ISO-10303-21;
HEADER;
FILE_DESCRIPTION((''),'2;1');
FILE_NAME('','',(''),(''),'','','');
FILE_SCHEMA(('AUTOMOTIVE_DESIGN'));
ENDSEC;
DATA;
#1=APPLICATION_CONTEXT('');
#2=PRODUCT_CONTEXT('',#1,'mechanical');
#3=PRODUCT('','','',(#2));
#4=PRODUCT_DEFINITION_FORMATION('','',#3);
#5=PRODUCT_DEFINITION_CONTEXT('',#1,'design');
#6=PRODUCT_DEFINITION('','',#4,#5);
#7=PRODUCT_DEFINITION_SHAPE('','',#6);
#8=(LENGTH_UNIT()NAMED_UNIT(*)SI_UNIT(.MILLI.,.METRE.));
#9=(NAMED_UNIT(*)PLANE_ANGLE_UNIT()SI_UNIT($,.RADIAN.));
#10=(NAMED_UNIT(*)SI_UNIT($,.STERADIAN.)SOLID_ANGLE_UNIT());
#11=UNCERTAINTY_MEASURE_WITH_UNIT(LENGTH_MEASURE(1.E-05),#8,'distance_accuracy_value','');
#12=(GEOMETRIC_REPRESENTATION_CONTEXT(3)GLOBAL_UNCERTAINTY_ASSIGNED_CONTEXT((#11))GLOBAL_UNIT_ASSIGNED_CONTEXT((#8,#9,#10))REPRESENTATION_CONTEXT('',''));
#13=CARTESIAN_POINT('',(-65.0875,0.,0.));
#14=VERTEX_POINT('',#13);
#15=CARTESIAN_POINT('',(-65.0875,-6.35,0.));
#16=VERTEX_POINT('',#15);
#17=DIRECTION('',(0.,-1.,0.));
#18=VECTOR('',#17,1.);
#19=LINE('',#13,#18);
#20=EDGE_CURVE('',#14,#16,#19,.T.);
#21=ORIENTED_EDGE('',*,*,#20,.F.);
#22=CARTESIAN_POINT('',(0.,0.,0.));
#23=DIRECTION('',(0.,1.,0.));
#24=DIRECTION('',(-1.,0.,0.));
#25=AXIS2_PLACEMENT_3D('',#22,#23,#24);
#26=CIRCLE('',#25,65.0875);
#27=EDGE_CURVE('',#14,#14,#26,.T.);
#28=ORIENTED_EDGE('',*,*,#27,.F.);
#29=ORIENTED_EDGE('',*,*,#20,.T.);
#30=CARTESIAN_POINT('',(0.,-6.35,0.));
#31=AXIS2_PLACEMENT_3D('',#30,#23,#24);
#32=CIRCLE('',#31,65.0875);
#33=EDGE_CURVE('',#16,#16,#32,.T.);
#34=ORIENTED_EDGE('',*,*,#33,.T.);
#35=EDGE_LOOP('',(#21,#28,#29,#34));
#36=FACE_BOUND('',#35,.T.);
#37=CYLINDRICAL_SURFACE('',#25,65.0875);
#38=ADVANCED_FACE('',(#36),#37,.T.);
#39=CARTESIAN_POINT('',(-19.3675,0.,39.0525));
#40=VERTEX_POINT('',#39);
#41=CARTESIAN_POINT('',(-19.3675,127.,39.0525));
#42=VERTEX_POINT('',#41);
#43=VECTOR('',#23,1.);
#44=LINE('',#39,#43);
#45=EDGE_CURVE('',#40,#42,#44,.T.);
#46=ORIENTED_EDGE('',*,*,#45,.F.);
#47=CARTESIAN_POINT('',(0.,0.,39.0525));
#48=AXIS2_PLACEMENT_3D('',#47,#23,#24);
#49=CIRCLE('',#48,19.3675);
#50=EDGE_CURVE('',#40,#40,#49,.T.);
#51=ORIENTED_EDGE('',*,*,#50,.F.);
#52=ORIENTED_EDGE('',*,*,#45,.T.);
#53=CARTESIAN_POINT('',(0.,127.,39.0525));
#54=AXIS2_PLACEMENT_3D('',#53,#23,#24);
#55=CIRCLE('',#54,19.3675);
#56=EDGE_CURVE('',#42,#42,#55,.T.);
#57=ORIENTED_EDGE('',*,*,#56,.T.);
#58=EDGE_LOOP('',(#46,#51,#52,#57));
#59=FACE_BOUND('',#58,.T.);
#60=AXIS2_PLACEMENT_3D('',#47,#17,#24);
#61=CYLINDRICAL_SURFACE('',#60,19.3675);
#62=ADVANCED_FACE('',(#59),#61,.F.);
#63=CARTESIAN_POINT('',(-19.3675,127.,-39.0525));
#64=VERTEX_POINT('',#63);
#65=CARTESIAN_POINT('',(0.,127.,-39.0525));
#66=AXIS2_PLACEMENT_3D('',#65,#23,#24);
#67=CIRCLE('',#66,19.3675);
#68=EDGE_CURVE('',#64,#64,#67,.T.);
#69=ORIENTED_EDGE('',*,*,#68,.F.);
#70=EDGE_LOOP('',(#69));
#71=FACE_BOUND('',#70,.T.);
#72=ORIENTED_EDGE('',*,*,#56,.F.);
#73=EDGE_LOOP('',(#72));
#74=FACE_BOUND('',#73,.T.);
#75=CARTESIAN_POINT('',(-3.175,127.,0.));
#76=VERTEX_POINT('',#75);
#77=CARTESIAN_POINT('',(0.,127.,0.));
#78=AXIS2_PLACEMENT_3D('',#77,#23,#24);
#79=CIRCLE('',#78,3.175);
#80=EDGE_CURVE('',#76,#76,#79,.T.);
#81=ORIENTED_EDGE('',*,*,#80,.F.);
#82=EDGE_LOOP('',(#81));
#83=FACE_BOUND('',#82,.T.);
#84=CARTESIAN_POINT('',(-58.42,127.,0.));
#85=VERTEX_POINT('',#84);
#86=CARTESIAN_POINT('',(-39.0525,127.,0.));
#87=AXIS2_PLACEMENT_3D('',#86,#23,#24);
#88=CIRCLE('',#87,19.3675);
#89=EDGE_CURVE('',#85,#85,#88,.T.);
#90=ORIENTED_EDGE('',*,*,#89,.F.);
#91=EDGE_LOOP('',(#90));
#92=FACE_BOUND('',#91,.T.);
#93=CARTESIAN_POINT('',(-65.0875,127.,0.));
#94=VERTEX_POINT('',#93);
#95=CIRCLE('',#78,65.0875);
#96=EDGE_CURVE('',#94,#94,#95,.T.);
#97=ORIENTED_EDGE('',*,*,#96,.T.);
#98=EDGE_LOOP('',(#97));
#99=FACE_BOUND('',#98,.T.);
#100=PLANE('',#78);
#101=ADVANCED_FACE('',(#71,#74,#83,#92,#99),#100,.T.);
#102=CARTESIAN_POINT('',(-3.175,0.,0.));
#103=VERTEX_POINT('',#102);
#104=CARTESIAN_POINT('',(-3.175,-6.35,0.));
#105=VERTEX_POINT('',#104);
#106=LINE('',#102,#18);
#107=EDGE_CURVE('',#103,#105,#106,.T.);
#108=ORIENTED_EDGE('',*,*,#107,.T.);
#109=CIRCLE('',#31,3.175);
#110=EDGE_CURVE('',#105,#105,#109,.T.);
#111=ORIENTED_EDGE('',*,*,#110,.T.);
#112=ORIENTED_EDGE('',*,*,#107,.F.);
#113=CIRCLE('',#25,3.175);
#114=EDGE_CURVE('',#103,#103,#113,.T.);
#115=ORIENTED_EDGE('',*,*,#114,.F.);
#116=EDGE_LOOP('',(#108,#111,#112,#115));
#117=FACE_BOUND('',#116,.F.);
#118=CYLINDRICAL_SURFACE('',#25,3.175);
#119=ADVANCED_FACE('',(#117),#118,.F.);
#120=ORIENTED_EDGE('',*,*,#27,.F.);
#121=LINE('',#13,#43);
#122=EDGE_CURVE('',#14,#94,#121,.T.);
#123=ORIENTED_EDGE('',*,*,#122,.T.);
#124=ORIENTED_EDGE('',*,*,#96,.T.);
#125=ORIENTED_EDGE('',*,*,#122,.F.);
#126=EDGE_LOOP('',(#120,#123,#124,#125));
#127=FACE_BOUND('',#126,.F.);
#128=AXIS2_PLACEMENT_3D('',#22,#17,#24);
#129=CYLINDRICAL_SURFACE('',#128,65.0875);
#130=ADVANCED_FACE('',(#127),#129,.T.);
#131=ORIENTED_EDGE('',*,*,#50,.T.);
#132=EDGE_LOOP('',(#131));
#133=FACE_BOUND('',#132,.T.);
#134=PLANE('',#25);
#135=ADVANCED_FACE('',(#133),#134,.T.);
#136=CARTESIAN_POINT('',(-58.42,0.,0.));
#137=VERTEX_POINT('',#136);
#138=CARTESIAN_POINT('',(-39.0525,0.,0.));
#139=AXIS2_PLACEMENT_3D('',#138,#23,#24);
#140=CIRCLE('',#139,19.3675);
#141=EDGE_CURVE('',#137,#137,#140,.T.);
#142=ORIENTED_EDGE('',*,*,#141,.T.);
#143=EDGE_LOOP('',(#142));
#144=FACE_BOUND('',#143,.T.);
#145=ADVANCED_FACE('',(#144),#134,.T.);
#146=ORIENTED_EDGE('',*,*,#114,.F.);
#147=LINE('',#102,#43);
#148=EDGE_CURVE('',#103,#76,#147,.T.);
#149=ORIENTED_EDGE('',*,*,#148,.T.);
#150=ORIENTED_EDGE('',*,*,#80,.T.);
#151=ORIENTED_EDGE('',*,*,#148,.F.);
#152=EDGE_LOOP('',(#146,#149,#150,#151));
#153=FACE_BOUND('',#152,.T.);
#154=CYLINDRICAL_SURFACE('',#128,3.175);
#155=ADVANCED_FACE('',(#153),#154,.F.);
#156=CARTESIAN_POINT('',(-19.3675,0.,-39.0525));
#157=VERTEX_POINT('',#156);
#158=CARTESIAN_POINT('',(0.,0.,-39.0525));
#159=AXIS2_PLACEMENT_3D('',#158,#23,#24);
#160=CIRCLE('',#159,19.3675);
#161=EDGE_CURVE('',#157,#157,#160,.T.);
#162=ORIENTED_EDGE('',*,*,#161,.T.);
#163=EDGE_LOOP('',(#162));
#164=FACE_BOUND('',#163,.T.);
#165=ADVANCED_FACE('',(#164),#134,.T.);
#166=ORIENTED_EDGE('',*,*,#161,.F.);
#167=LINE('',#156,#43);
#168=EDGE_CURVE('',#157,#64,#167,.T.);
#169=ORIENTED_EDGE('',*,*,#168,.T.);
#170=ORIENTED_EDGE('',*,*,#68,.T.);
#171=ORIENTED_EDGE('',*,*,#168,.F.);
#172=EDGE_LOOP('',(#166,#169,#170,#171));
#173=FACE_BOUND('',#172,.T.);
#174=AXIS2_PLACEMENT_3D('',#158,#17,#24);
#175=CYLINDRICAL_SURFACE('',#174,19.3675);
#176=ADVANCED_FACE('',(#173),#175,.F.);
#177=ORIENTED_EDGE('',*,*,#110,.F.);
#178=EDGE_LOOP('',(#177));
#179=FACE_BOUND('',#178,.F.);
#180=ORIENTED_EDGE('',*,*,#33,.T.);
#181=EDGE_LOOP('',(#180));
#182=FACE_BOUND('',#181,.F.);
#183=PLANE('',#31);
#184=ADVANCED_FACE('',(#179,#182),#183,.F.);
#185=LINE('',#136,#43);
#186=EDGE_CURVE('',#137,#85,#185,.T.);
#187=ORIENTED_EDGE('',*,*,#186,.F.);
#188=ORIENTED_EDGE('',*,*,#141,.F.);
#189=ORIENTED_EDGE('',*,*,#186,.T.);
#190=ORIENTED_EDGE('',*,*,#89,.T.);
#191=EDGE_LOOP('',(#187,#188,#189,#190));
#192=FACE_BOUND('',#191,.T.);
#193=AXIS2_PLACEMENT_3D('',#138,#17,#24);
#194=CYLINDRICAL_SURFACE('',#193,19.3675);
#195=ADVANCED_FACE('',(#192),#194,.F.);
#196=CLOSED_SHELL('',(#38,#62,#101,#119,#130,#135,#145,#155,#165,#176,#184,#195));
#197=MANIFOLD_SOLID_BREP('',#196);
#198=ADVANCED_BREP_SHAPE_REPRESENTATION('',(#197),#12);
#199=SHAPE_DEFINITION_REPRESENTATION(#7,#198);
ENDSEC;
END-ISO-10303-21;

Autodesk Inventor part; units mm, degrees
ref_plane "YZ Plane" through (0, 0, 0) normal (1, 0, 0) x (0, 1, 0)
ref_plane "XZ Plane" through (0, 0, 0) normal (0, 1, 0) x (-1, 0, 0)
sketch "Sketch2" plane through (0, 0, 0) normal (0, 1, 0) x (-1, 0, 0)
  circle A0 centre (0, 0) radius 65.0875
  circle A1 centre (0, -39.0525) radius 19.3675
  circle A2 centre (39.0525, 0) radius 19.3675
  circle A3 centre (0, 39.0525) radius 19.3675
  circle A4 centre (-39.0525, 0) radius 19.3675
  circle A5 centre (0, 0) radius 3.175
  dimension "d2" = 130.175
  dimension "d3" = 38.735
  dimension "d5" = 39.0525
  dimension "d8" = 360
  dimension "d14" = 6.35
extrude "Extrusion1" add sketch "Sketch2" along normal blind 127 contours A0 | A4
extrude "Extrusion2" add sketch "Sketch2" against normal blind 6.35 contours A0 | A1 | A2 | A3 | A4
ref_plane "Work Plane1" through (0, 0, 65.0875) normal (0, 0, 1) x (1, 0, 0)
sketch "Sketch3" plane through (0, 0, 65.0875) normal (0, 0, 1) x (1, 0, 0)
  circle A0 centre (0, 101.6) radius 1.27
  line L0 (65.0875, 127) -> (-65.0875, 127) projected
  point P0 (0, 0)
  dimension "d16" = 2.54
  dimension "d17" = 25.4
equation "\"d5\" = 0.3 * d2"
properties part number "SC-1-01-Ice Core Holder"
